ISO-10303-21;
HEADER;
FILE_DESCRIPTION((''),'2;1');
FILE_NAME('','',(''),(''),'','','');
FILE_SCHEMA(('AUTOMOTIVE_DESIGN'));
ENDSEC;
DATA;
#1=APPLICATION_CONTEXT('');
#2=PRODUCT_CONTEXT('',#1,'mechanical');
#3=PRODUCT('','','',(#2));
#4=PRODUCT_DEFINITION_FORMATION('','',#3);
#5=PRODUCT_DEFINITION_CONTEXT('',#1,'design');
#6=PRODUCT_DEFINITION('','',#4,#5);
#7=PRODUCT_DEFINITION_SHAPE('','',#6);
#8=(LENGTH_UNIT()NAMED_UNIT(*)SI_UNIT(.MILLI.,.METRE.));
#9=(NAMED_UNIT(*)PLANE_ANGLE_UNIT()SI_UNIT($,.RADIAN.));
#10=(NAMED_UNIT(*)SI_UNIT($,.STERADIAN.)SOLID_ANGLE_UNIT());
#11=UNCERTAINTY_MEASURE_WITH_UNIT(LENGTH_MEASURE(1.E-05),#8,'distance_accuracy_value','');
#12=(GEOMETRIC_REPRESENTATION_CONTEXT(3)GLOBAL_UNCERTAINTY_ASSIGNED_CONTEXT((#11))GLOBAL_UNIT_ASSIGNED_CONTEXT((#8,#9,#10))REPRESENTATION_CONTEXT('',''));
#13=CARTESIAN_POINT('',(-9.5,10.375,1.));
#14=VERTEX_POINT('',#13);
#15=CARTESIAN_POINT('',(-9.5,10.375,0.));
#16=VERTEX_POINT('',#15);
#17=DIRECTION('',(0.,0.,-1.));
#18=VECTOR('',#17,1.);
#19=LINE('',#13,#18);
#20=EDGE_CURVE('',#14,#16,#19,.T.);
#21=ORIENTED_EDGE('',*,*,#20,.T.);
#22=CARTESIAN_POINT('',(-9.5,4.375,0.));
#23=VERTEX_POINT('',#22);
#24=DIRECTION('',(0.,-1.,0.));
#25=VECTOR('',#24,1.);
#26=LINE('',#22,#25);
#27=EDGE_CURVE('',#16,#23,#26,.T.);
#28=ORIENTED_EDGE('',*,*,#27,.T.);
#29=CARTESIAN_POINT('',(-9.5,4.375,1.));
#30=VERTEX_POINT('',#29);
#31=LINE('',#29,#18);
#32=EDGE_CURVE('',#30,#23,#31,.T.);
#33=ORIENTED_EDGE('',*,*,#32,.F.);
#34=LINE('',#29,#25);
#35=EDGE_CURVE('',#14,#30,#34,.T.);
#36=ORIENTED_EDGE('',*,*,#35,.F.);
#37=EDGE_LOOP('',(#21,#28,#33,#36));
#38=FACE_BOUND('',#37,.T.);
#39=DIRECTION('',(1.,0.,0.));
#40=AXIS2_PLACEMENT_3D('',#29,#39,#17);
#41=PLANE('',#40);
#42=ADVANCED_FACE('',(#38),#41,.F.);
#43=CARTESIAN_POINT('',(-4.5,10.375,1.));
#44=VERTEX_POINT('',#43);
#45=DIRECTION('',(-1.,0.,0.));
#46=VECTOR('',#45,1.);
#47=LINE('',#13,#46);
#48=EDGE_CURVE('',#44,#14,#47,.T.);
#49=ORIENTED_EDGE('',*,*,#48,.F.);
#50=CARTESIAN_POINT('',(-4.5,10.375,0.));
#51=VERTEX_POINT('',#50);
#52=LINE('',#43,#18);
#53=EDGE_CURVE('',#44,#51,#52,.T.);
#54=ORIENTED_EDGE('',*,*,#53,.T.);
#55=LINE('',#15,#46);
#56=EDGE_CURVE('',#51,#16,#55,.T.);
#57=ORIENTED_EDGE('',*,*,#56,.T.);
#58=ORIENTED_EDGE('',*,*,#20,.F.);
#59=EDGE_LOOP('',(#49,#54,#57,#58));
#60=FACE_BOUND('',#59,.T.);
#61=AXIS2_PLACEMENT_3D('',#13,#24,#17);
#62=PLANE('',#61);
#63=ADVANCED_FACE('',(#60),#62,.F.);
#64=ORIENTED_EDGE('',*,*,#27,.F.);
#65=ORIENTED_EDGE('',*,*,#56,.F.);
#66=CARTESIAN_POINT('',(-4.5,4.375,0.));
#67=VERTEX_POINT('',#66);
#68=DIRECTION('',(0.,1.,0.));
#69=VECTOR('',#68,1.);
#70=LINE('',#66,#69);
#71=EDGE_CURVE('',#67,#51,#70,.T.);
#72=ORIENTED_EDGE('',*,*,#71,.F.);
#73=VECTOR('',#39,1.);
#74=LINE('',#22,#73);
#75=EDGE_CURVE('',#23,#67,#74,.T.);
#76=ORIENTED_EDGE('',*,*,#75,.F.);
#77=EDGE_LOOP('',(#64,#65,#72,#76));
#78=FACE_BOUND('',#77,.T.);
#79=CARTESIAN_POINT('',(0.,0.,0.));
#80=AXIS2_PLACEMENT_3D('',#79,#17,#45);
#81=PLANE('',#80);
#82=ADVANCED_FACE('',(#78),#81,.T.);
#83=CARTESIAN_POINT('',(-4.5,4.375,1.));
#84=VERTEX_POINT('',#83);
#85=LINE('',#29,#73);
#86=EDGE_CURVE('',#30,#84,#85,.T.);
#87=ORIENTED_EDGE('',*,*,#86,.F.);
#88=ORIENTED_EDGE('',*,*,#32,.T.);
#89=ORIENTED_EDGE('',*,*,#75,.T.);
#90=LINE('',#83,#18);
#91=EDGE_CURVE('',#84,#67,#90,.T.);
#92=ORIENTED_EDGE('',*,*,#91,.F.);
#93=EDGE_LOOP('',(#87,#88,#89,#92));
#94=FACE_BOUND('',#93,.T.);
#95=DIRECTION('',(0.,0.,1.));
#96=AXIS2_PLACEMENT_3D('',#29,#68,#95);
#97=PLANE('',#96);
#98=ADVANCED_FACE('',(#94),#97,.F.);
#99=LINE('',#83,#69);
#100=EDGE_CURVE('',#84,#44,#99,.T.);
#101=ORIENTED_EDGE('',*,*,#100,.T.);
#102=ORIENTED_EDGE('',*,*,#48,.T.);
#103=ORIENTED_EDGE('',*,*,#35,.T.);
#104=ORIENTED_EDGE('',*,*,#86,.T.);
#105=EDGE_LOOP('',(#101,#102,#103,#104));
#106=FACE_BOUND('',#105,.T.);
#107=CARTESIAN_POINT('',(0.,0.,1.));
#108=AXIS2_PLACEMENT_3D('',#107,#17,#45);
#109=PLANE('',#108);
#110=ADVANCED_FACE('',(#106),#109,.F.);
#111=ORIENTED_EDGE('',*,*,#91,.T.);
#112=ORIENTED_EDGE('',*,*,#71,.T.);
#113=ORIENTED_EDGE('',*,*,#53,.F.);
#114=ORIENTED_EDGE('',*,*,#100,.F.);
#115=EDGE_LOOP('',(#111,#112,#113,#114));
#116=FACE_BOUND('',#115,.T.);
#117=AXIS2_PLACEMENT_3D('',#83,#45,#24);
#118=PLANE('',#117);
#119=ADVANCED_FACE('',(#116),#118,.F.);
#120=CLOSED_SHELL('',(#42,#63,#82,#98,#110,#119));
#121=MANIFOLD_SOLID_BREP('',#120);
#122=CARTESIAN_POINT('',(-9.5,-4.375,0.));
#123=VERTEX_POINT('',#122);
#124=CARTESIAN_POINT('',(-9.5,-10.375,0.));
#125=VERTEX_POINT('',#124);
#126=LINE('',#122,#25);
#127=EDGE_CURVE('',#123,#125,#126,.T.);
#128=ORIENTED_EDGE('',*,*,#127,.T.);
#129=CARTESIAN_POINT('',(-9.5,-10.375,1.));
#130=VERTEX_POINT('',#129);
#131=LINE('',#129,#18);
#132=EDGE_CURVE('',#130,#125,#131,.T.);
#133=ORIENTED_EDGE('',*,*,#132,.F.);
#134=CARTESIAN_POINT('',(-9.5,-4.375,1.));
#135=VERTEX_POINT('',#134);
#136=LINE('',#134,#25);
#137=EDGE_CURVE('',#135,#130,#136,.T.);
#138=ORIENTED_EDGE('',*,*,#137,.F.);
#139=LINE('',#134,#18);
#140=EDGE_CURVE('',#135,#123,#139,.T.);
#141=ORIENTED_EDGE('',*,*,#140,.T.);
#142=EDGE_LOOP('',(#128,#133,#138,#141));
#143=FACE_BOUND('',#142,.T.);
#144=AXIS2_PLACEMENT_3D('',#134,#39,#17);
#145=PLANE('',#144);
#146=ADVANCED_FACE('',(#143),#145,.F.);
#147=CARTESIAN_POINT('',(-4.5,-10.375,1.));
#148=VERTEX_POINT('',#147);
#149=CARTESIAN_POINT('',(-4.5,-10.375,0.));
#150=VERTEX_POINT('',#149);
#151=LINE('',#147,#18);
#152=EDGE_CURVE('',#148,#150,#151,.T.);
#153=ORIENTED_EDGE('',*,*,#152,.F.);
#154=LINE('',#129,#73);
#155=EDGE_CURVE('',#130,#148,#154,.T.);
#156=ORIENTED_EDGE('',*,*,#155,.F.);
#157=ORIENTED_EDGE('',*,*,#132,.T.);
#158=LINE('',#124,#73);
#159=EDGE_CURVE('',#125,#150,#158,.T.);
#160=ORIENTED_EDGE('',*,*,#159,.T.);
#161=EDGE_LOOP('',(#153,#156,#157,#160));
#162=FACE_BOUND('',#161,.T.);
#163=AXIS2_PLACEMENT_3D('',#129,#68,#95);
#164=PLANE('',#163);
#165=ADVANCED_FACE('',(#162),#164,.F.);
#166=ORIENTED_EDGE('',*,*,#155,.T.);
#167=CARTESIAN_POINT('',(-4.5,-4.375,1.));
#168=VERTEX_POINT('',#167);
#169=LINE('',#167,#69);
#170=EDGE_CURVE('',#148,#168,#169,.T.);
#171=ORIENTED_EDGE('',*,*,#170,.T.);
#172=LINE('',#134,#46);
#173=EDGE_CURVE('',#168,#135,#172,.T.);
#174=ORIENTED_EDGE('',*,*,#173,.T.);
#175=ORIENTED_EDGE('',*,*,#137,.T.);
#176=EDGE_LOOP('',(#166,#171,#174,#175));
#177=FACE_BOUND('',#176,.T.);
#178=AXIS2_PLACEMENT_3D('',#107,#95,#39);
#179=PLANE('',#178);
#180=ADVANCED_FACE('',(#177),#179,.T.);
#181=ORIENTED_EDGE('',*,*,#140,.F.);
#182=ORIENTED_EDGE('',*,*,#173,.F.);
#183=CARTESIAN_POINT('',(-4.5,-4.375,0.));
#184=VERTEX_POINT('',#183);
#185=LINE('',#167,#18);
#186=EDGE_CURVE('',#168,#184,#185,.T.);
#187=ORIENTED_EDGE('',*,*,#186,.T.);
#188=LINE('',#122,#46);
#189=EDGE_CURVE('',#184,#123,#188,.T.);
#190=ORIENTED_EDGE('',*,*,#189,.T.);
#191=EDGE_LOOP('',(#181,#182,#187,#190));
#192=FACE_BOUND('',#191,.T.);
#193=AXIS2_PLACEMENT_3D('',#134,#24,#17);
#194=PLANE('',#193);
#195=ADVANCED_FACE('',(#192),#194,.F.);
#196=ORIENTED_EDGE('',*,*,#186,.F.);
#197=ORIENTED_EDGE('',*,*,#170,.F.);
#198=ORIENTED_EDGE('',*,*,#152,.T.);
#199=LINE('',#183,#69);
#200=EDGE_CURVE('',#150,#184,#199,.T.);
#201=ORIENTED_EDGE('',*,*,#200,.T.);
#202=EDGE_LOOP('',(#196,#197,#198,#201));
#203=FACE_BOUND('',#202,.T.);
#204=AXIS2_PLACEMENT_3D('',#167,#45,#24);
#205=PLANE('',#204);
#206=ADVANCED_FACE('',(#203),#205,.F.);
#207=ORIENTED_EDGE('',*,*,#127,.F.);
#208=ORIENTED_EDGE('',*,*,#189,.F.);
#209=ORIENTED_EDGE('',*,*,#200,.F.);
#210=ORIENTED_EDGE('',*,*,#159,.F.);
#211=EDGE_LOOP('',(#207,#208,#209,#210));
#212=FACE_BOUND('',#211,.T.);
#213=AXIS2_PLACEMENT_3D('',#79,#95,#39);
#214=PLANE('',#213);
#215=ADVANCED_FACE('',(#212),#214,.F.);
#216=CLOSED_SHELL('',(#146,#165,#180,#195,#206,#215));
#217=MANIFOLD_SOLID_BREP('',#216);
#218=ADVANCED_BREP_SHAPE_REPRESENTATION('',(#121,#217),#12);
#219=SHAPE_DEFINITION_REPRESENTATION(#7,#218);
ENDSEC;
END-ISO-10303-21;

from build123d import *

# Parameters (mm, degrees)
BODY_W               = 5
BODY_H               = 6
BODY_EXTRUDE_DEPTH   = 1
BODY_EXTRUDE_2_DEPTH = 1


with BuildPart() as part:
    # BODY → Body Extrude (new body)
    with BuildSketch(Plane.XY):
        with Locations((-7, 7.375)):
            Rectangle(BODY_W, BODY_H)
    extrude(amount=BODY_EXTRUDE_DEPTH)


with BuildPart() as body_2:
    # BODY → Body Extrude 2 (new body)
    with BuildSketch(Plane.XY):
        with Locations((-7, -7.375)):
            Rectangle(BODY_W, BODY_H)
    extrude(amount=BODY_EXTRUDE_2_DEPTH)


solid = Compound([part.part, body_2.part])
